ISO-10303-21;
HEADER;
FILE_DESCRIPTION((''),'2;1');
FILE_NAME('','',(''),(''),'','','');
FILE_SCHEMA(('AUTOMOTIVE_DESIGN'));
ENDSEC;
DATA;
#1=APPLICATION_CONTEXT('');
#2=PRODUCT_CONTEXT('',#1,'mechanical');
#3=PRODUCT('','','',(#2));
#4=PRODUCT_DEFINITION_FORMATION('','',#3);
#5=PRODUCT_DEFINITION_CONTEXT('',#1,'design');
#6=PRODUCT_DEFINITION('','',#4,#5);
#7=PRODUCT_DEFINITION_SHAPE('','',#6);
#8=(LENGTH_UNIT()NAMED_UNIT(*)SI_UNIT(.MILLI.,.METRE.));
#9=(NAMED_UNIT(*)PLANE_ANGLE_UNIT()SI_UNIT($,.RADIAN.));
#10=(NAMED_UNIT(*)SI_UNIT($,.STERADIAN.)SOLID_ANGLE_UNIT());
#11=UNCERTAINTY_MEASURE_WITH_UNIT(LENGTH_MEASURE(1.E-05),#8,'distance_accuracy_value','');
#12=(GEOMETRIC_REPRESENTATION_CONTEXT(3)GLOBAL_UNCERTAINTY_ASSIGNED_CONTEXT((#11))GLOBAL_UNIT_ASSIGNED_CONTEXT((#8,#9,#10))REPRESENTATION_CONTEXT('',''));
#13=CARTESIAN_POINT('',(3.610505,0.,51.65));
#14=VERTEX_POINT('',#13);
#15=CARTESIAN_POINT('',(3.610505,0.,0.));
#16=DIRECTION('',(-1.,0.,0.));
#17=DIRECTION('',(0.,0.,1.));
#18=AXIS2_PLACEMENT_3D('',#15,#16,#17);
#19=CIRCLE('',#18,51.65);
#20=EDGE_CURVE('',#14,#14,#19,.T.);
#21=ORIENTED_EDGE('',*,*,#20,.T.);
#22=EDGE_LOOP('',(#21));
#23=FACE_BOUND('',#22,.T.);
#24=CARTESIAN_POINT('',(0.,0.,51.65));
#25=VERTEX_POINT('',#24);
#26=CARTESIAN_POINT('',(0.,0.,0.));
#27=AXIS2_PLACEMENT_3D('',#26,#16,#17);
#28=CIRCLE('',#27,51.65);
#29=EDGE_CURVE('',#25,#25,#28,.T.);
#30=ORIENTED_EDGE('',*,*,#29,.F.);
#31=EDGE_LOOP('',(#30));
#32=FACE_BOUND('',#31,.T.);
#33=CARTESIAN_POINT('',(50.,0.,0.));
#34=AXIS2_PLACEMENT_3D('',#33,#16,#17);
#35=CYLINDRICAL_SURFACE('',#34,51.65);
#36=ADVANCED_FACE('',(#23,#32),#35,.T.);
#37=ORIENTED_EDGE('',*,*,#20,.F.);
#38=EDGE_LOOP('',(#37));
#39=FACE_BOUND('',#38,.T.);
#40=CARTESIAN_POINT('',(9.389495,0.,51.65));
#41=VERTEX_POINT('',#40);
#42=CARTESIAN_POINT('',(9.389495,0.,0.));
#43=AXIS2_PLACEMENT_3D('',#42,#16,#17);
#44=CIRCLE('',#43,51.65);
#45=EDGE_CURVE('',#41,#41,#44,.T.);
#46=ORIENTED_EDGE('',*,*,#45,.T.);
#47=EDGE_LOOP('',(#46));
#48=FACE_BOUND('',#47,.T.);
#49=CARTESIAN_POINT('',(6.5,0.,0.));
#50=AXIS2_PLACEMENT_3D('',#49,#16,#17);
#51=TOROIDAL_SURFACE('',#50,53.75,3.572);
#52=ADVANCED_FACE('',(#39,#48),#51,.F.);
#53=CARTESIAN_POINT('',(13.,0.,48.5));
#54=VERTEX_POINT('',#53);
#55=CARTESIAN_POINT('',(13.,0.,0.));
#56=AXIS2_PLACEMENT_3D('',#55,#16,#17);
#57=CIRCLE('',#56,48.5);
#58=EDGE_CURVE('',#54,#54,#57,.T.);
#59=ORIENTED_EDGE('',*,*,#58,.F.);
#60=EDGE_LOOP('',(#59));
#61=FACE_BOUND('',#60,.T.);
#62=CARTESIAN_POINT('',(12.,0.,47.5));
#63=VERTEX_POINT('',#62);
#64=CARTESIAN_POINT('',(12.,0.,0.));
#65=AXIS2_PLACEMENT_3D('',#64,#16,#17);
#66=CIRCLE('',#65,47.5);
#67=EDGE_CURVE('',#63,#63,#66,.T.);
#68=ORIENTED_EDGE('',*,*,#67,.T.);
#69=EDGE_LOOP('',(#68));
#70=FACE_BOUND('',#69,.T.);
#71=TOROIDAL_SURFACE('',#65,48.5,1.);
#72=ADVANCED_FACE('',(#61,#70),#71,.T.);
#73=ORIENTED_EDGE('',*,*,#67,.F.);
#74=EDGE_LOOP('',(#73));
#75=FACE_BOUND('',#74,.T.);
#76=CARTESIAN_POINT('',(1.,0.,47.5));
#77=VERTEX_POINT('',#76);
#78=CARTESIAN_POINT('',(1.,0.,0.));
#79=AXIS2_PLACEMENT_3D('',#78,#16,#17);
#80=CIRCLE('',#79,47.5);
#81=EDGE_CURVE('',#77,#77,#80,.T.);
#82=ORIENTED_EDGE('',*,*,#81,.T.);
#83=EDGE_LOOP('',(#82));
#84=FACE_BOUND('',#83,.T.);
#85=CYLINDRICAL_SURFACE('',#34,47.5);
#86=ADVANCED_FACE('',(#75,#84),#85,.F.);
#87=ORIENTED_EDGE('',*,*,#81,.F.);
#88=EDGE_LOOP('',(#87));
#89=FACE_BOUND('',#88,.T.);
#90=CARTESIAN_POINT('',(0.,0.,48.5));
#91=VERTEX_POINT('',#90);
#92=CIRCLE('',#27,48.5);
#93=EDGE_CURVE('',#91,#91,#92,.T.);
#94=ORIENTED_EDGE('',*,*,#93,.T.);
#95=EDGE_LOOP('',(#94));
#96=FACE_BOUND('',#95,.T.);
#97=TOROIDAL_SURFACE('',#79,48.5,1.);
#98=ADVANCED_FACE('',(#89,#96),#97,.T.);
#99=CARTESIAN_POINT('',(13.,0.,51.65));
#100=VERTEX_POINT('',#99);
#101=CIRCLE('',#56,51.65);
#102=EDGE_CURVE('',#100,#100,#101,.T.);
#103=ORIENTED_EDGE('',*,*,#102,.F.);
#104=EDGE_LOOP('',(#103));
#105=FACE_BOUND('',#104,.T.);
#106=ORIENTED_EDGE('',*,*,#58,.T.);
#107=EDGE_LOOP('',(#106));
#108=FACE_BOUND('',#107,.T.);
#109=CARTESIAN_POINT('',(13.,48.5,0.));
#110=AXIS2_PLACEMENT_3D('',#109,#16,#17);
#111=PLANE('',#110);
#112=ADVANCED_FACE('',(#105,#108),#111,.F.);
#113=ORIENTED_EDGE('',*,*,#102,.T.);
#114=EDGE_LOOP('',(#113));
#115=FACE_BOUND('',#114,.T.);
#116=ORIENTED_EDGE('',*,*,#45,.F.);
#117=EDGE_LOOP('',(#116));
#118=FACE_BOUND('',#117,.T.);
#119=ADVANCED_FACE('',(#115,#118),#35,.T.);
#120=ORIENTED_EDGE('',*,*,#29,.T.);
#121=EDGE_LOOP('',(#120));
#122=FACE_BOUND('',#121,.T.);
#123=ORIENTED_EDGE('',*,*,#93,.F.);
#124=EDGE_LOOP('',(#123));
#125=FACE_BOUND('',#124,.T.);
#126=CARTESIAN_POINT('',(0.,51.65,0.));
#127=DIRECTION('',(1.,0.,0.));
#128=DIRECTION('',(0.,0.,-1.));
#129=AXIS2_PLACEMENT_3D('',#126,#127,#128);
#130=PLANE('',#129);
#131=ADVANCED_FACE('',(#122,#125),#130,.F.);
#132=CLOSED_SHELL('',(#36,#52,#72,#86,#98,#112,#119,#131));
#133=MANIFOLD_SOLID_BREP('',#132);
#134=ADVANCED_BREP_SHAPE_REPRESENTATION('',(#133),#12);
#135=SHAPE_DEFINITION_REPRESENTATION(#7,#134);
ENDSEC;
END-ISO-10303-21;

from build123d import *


with BuildPart() as part:
    # Schizzo1 → Rivoluzione1 (revolve)
    with BuildSketch(Plane.XY, mode=Mode.PRIVATE) as rivoluzione1_sk:
        with BuildLine():
            Line((1, 47.5), (12, 47.5))
            ThreePointArc((12, 47.5), (12.707106781, 47.792893219), (13, 48.5))
            Line((13, 48.5), (13, 51.65))
            Line((13, 51.65), (9.389495458, 51.65))
            ThreePointArc((9.389495458, 51.65), (6.5, 50.178), (3.610504542, 51.65))
            Line((3.610504542, 51.65), (0, 51.65))
            Line((0, 51.65), (0, 48.5))
            ThreePointArc((0, 48.5), (0.292893219, 47.792893219), (1, 47.5))
        make_face()
    revolve(rivoluzione1_sk.sketch.rotate(Axis((50, 0, 0), (-1, 0, 0)), 270), axis=Axis((50, 0, 0), (-1, 0, 0)))


solid = part.part
